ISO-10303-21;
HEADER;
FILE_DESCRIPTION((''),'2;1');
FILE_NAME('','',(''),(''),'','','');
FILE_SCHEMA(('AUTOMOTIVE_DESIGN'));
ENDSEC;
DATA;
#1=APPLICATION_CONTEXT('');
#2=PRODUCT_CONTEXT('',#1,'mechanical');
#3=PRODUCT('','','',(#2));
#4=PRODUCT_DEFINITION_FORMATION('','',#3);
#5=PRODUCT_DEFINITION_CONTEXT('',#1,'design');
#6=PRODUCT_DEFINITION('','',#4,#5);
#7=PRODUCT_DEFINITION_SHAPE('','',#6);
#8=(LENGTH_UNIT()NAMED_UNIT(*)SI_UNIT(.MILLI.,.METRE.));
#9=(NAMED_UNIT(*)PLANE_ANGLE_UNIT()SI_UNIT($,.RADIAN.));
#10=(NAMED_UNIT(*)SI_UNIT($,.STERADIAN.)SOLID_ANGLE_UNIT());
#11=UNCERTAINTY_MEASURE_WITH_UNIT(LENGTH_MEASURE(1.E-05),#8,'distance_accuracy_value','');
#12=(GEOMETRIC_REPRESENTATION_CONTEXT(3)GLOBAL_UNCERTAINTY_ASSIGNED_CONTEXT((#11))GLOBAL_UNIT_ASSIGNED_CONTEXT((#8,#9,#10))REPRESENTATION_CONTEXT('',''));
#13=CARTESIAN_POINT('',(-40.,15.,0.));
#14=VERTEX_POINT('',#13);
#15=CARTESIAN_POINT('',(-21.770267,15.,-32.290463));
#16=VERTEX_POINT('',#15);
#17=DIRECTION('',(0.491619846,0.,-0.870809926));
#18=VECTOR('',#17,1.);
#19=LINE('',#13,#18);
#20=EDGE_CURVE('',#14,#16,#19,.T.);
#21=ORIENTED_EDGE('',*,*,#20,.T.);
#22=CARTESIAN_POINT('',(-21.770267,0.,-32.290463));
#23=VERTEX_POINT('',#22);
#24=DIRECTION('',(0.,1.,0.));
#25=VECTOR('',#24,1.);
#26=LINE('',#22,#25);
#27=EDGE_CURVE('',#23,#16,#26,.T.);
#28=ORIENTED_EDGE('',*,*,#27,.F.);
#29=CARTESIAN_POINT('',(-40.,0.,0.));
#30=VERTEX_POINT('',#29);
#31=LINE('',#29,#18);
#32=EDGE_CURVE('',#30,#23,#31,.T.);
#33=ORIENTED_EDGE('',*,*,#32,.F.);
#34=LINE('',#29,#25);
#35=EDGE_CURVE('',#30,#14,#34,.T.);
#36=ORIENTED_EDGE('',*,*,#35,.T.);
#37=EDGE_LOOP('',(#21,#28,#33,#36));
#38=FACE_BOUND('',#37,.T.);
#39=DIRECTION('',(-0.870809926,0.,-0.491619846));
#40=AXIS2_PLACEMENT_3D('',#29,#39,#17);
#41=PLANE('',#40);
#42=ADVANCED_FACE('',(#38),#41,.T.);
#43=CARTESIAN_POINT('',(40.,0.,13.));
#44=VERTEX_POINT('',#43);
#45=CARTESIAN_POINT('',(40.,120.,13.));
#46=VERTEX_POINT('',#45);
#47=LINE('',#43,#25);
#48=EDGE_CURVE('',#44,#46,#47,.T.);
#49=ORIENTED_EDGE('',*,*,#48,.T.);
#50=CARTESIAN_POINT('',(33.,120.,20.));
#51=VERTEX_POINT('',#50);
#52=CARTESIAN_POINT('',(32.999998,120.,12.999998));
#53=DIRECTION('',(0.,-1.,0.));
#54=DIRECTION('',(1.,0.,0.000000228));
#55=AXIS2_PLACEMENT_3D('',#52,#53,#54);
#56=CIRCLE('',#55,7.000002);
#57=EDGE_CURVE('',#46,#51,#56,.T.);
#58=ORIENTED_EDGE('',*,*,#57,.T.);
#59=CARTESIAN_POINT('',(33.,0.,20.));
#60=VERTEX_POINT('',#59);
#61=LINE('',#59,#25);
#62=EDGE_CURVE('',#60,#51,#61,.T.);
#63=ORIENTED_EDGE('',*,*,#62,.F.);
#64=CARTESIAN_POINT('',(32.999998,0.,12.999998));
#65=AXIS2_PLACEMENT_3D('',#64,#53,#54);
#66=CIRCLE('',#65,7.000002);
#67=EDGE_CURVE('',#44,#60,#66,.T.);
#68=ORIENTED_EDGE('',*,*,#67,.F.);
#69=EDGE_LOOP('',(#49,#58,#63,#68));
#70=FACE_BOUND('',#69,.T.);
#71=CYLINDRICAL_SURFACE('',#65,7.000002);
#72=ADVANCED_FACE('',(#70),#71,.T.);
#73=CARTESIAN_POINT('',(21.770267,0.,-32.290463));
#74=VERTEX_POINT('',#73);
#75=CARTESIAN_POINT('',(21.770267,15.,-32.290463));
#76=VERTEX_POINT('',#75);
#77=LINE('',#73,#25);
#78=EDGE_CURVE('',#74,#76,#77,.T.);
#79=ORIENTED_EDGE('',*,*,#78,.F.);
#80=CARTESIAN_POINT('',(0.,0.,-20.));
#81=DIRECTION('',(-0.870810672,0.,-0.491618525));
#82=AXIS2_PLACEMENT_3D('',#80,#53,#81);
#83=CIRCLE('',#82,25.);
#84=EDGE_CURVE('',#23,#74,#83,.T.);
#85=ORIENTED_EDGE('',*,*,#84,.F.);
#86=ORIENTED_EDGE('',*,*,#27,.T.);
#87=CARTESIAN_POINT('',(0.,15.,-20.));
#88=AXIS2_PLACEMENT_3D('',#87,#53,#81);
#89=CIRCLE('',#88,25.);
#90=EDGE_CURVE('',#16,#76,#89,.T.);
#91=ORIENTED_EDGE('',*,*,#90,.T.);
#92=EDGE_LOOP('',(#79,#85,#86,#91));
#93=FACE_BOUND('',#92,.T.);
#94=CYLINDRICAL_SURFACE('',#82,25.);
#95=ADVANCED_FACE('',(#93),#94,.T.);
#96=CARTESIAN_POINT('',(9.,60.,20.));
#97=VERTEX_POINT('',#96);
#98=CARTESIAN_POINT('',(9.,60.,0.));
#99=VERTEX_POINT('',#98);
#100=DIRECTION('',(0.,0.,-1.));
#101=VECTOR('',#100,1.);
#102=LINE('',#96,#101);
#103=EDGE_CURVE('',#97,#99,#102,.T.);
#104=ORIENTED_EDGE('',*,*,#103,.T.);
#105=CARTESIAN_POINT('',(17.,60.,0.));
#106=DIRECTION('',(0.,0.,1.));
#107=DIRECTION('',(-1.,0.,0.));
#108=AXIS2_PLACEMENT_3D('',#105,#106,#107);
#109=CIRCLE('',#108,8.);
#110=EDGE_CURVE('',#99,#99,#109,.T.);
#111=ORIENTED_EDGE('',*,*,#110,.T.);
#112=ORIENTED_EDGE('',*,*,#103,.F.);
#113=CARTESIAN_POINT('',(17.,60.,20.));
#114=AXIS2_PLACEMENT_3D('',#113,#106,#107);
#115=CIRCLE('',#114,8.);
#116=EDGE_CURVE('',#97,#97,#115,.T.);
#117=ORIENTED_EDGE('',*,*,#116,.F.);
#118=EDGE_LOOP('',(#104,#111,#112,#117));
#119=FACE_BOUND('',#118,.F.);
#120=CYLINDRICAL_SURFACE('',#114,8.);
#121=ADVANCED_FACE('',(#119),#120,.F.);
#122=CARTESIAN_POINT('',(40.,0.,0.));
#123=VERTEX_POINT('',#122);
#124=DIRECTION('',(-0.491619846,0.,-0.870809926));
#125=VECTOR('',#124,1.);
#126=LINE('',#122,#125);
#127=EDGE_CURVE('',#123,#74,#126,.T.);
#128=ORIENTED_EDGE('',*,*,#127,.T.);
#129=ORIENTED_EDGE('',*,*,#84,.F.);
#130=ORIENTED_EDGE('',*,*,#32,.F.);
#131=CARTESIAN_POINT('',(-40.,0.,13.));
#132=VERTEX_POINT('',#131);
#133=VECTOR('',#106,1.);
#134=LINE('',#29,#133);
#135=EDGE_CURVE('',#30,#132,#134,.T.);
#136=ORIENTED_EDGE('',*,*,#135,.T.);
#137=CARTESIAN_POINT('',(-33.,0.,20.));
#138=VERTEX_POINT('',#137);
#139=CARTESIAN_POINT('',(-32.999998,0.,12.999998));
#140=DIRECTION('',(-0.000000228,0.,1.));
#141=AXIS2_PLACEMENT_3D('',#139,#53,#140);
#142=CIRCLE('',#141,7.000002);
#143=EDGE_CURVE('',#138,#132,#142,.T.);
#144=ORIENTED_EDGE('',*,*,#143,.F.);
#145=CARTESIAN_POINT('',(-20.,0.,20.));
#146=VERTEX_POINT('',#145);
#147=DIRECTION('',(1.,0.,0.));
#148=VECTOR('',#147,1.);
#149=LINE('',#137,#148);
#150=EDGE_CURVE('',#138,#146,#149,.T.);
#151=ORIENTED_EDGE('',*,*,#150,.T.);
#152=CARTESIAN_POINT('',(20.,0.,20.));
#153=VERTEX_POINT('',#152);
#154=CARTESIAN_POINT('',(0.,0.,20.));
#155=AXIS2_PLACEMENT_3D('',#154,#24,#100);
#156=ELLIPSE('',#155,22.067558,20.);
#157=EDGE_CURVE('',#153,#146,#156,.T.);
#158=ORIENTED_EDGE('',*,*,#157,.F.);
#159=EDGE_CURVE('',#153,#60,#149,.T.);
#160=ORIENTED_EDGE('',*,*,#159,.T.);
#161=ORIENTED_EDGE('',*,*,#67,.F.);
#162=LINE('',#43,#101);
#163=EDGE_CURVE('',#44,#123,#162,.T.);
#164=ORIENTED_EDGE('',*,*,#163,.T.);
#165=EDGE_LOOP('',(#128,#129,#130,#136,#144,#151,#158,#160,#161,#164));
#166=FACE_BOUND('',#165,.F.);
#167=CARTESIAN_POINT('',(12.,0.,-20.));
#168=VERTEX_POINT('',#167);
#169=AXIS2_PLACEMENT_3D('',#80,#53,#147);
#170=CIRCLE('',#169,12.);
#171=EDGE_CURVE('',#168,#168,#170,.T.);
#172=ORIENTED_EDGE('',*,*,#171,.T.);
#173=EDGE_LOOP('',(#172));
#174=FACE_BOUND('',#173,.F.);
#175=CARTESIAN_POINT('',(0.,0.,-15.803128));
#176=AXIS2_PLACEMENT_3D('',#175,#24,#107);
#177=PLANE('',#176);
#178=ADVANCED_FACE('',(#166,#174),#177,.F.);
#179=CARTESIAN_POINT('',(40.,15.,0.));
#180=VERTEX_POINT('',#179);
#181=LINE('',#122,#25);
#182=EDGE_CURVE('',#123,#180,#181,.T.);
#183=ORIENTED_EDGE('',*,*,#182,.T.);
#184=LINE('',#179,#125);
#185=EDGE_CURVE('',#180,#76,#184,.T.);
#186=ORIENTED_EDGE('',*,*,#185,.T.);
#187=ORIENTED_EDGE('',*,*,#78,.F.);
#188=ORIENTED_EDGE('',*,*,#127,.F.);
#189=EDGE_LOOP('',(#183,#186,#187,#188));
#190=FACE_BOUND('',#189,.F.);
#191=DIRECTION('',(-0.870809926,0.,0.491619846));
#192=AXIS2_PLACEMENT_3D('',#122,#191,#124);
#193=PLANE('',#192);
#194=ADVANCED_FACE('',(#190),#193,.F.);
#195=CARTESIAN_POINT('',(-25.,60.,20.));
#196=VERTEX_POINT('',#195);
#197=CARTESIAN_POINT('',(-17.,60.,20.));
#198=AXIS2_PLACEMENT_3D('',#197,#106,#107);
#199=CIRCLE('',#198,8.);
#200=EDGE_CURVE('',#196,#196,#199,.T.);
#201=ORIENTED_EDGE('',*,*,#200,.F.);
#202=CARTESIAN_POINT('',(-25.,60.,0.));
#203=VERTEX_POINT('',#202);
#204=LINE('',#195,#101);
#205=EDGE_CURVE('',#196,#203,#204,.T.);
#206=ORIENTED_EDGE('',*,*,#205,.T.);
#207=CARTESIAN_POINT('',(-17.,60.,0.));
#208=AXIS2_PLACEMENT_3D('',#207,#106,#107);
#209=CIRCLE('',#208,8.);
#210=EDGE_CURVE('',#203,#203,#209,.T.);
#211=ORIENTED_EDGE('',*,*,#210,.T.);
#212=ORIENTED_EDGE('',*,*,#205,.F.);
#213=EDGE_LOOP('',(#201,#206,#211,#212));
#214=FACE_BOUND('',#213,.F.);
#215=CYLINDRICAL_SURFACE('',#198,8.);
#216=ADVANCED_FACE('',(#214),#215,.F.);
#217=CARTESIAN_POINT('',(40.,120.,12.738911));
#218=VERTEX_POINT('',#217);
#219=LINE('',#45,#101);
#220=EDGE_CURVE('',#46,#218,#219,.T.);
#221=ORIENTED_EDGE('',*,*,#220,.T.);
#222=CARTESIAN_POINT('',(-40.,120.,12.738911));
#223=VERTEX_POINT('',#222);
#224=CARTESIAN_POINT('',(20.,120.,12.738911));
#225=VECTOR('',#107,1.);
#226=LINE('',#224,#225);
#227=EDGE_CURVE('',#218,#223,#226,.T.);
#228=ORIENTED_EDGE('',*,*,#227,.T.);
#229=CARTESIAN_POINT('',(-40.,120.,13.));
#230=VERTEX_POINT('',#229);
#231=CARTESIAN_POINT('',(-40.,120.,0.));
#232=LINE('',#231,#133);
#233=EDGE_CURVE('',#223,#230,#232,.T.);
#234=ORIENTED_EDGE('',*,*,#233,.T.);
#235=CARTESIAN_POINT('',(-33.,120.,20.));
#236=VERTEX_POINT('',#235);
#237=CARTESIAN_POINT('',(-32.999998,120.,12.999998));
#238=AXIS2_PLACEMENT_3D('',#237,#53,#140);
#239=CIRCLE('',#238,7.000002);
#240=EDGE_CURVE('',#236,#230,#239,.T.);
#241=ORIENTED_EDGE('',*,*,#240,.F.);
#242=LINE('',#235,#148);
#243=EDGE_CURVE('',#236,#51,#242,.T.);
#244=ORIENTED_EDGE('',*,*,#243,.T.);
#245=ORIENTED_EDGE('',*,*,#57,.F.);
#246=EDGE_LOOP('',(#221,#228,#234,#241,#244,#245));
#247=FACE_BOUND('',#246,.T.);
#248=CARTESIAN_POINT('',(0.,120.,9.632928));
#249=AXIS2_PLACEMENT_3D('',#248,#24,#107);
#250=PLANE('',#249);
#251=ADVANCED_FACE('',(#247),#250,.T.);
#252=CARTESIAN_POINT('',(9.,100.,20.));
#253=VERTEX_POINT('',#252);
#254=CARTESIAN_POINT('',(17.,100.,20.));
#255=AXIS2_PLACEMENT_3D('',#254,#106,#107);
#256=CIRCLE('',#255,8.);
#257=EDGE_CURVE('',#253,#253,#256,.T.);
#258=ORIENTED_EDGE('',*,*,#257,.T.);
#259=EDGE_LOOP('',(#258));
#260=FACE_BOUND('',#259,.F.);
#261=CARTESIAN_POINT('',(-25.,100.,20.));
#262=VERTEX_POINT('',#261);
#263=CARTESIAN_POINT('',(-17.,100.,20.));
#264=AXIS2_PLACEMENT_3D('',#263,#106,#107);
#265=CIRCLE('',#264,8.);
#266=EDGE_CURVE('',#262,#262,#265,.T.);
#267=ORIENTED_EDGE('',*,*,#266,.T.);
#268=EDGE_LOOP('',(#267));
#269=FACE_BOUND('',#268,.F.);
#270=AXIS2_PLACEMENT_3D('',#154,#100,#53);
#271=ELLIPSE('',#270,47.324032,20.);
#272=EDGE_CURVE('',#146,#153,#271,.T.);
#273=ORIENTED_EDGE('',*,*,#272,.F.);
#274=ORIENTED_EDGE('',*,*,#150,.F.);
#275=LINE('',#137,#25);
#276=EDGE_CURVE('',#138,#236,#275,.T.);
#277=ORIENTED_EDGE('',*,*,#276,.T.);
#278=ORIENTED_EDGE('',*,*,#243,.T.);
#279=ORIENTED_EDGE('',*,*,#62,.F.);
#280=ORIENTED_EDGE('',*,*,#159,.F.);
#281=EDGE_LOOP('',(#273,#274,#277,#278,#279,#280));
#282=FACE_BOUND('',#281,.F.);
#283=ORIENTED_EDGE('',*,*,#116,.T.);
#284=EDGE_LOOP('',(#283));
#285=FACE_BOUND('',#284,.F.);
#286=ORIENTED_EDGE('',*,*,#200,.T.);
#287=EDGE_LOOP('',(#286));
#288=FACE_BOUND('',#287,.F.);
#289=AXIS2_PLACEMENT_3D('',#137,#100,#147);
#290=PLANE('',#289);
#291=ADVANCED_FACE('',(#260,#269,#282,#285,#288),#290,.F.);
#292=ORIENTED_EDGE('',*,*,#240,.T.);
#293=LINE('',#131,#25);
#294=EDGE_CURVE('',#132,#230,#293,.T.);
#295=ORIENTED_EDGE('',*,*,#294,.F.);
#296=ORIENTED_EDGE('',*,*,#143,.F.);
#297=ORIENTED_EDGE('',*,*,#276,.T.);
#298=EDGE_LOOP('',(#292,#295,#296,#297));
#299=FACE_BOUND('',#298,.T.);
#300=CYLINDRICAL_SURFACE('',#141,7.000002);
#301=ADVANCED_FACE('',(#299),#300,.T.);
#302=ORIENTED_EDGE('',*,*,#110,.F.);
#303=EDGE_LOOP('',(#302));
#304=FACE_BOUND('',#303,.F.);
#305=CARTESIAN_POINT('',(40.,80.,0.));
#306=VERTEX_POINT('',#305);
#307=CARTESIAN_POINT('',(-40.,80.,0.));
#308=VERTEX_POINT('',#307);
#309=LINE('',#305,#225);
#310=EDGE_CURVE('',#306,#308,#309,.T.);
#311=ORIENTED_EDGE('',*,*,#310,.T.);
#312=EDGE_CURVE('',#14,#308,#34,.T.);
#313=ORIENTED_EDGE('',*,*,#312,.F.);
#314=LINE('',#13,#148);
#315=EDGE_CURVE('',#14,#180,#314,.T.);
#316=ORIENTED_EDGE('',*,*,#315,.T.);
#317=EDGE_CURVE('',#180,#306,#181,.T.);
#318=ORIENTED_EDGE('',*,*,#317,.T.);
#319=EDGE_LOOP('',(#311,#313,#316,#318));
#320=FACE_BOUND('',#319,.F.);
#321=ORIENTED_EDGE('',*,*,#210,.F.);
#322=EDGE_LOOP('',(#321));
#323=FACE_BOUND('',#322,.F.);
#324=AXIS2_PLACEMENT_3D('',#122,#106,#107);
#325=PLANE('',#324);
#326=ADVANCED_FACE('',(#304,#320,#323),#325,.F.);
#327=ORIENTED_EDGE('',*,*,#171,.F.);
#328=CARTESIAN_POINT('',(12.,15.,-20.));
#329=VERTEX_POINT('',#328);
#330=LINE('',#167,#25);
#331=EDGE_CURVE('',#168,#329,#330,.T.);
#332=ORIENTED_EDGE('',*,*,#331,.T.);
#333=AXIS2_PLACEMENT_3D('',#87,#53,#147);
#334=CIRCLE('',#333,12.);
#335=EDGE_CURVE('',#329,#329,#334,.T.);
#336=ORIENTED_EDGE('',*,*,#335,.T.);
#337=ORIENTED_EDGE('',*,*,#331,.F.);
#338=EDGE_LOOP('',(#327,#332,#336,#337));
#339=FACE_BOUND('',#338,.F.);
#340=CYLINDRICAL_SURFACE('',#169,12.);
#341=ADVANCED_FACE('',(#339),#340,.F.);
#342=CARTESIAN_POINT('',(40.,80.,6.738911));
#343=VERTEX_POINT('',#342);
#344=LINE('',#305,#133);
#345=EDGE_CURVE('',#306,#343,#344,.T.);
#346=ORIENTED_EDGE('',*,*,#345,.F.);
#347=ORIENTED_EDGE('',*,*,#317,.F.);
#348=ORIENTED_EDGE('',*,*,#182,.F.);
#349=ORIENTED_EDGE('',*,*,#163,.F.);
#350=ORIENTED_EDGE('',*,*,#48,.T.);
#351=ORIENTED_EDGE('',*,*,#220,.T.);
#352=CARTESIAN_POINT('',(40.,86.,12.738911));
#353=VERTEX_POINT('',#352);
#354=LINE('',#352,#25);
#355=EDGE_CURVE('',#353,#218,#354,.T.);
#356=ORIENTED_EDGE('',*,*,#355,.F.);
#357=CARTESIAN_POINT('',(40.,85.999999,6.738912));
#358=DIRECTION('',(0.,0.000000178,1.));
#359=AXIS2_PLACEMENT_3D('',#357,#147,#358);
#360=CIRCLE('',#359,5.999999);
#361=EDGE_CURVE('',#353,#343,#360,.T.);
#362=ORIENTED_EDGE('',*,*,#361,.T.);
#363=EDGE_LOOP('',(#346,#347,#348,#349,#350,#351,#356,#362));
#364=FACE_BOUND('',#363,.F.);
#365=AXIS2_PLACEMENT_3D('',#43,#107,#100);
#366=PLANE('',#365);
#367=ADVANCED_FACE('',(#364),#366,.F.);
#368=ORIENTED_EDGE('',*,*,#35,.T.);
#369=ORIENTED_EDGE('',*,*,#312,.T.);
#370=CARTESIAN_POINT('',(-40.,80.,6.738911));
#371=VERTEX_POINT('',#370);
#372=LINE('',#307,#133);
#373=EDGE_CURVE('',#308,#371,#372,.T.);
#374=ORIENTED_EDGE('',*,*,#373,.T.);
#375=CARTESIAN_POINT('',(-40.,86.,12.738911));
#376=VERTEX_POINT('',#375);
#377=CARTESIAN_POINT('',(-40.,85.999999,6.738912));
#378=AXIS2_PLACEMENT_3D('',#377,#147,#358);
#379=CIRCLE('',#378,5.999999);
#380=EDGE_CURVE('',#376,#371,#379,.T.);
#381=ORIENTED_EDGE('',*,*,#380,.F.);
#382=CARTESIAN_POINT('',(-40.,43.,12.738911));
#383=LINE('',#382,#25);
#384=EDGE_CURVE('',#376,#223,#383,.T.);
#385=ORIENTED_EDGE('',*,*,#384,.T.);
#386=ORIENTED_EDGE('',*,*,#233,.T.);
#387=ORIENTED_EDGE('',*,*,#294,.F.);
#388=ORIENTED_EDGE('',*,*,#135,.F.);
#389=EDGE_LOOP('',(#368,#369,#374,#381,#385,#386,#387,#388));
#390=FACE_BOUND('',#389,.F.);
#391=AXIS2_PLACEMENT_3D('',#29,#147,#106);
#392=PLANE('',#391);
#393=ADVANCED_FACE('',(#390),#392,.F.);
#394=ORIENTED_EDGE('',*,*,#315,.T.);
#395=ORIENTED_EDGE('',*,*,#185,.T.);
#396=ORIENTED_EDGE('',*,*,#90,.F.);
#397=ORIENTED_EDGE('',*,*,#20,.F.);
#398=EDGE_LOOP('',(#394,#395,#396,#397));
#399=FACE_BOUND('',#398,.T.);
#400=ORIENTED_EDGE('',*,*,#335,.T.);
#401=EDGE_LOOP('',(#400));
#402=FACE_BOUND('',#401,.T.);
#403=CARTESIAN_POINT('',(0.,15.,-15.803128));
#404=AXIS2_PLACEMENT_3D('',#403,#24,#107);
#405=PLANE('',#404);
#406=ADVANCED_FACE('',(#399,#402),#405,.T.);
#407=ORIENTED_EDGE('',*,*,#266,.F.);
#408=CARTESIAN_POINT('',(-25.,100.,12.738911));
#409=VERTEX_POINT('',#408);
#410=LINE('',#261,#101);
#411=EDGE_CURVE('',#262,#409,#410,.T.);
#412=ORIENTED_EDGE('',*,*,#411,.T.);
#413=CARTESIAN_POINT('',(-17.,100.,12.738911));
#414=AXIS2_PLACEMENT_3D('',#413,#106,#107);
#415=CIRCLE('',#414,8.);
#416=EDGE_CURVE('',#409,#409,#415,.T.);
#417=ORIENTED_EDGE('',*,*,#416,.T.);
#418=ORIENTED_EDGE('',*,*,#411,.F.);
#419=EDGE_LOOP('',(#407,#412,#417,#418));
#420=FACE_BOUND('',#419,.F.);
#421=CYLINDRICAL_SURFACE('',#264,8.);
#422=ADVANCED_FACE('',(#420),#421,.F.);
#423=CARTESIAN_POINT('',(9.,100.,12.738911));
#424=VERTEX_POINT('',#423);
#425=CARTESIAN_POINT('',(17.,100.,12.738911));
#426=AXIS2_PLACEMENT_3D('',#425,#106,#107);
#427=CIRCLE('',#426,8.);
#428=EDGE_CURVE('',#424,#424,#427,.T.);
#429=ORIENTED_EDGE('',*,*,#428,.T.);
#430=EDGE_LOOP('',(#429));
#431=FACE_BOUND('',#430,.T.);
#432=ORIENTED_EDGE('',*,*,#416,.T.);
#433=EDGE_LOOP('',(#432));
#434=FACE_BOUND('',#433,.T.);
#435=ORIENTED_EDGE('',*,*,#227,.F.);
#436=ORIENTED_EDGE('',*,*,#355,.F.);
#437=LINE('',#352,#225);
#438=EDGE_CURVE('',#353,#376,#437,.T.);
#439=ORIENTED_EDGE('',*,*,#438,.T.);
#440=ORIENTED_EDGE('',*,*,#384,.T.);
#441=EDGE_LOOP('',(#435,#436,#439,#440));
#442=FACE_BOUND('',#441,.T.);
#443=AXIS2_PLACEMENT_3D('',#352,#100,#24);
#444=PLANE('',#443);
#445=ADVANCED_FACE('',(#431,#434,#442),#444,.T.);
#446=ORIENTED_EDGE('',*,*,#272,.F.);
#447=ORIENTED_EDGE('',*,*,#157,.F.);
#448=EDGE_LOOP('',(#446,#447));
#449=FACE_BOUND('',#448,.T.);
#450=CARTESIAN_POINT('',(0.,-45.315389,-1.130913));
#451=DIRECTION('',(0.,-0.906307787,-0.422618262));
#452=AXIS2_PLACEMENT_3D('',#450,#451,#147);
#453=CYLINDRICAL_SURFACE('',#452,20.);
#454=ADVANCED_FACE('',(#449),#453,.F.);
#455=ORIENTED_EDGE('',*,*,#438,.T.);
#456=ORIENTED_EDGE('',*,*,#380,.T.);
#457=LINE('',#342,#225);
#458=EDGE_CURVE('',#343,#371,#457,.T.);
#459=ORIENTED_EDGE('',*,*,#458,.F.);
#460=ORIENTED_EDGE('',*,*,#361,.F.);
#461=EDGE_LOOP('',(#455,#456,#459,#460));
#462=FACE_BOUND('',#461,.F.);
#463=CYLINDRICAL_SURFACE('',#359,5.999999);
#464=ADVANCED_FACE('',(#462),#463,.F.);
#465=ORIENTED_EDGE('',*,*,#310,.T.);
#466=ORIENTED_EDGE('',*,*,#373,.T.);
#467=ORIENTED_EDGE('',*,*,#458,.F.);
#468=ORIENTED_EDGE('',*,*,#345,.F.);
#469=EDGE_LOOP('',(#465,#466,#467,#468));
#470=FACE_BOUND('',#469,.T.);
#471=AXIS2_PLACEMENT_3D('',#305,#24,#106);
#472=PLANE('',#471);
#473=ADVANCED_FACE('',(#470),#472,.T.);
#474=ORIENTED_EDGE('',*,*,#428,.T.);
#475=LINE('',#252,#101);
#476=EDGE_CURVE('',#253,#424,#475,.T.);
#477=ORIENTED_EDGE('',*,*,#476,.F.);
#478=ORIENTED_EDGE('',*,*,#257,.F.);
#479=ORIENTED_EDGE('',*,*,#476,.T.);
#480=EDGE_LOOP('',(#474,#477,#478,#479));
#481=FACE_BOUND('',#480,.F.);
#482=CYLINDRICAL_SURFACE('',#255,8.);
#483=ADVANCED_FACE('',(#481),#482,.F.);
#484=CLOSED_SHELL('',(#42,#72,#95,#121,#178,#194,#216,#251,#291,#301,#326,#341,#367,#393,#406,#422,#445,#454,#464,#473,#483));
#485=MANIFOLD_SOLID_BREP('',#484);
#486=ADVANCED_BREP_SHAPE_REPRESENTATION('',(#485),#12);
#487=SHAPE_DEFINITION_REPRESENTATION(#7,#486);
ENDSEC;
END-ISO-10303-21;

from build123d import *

# Parameters (mm, degrees)
CYLINDER_R               = 20
CYLINDER_DEPTH           = 100
CYLINDER_PLACEMENT_ANGLE = 295
PAD_DEPTH                = 120
POCKET_DEPTH             = 80.001
SKETCH003_R              = 12
PAD001_DEPTH             = 15
SKETCH004_R              = 8
POCKET001_DEPTH          = 65.001


with BuildPart() as cilindro:
    # Cylinder → Cylinder (new body)
    with BuildSketch(Plane.XY):
        Circle(CYLINDER_R)
    extrude(amount=CYLINDER_DEPTH)


with BuildPart() as cilindro_1:
    # Cylinder placement: moved
    add(cilindro.part.moved(Location((0, -45.315389, -1.130913))).rotate(Axis((0, -45.315389, -1.130913), (1, 0, 0)), CYLINDER_PLACEMENT_ANGLE))


with BuildPart() as cut:
    # Sketch → Pad (new body)
    with BuildSketch(Plane.XZ):
        with BuildLine():
            Line((-33, 20), (33, 20))
            ThreePointArc((40, 13), (37.949747, 17.949747), (33, 20))
            Line((40, 13), (40, 0))
            Line((40, 0), (-40, 0))
            Line((-40, 0), (-40, 13))
            ThreePointArc((-33, 20), (-37.949747, 17.949747), (-40, 13))
        make_face()
    extrude(amount=-PAD_DEPTH)

    # Sketch002 → Pocket (cut, through all)
    with BuildSketch(Plane(origin=(40, 0, 0), x_dir=(0, 0, 1), z_dir=(1, 0, 0))):
        with BuildLine():
            Line((0, -80), (6.738911, -80))
            ThreePointArc((12.738911, -86), (10.981552, -81.757359), (6.738911, -80))
            Line((12.738911, -86), (12.738911, -134.292511))
            Line((12.738911, -134.292511), (0, -134.292511))
            Line((0, -134.292511), (0, -80))
        make_face()
    extrude(amount=-POCKET_DEPTH, mode=Mode.SUBTRACT)

    # Sketch003 → Pad001 (new body)
    with BuildSketch(Plane.XZ):
        with BuildLine():
            Line((-40, 0), (40, 0))
            Line((40, 0), (21.770267, -32.290463))
            ThreePointArc((-21.770267, -32.290463), (0, -45), (21.770267, -32.290463))
            Line((-40, 0), (-21.770267, -32.290463))
        make_face()
        with Locations((0, -20)):
            Circle(SKETCH003_R, mode=Mode.SUBTRACT)
    extrude(amount=-PAD001_DEPTH)

    # Sketch004 → Pocket001 (cut, through all)
    with BuildSketch(Plane(origin=(0, 0, 20), x_dir=(-1, 0, 0), z_dir=(0, 0, 1))):
        with Locations((17, -100)):
            Circle(SKETCH004_R)
        with Locations((-17, -100)):
            Circle(SKETCH004_R)
        with Locations((-17, -60)):
            Circle(SKETCH004_R)
        with Locations((17, -60)):
            Circle(SKETCH004_R)
    extrude(amount=-POCKET001_DEPTH, mode=Mode.SUBTRACT)

    # Cut: cut Cilindro
    add(cilindro_1.part, mode=Mode.SUBTRACT)


solid = cut.part
